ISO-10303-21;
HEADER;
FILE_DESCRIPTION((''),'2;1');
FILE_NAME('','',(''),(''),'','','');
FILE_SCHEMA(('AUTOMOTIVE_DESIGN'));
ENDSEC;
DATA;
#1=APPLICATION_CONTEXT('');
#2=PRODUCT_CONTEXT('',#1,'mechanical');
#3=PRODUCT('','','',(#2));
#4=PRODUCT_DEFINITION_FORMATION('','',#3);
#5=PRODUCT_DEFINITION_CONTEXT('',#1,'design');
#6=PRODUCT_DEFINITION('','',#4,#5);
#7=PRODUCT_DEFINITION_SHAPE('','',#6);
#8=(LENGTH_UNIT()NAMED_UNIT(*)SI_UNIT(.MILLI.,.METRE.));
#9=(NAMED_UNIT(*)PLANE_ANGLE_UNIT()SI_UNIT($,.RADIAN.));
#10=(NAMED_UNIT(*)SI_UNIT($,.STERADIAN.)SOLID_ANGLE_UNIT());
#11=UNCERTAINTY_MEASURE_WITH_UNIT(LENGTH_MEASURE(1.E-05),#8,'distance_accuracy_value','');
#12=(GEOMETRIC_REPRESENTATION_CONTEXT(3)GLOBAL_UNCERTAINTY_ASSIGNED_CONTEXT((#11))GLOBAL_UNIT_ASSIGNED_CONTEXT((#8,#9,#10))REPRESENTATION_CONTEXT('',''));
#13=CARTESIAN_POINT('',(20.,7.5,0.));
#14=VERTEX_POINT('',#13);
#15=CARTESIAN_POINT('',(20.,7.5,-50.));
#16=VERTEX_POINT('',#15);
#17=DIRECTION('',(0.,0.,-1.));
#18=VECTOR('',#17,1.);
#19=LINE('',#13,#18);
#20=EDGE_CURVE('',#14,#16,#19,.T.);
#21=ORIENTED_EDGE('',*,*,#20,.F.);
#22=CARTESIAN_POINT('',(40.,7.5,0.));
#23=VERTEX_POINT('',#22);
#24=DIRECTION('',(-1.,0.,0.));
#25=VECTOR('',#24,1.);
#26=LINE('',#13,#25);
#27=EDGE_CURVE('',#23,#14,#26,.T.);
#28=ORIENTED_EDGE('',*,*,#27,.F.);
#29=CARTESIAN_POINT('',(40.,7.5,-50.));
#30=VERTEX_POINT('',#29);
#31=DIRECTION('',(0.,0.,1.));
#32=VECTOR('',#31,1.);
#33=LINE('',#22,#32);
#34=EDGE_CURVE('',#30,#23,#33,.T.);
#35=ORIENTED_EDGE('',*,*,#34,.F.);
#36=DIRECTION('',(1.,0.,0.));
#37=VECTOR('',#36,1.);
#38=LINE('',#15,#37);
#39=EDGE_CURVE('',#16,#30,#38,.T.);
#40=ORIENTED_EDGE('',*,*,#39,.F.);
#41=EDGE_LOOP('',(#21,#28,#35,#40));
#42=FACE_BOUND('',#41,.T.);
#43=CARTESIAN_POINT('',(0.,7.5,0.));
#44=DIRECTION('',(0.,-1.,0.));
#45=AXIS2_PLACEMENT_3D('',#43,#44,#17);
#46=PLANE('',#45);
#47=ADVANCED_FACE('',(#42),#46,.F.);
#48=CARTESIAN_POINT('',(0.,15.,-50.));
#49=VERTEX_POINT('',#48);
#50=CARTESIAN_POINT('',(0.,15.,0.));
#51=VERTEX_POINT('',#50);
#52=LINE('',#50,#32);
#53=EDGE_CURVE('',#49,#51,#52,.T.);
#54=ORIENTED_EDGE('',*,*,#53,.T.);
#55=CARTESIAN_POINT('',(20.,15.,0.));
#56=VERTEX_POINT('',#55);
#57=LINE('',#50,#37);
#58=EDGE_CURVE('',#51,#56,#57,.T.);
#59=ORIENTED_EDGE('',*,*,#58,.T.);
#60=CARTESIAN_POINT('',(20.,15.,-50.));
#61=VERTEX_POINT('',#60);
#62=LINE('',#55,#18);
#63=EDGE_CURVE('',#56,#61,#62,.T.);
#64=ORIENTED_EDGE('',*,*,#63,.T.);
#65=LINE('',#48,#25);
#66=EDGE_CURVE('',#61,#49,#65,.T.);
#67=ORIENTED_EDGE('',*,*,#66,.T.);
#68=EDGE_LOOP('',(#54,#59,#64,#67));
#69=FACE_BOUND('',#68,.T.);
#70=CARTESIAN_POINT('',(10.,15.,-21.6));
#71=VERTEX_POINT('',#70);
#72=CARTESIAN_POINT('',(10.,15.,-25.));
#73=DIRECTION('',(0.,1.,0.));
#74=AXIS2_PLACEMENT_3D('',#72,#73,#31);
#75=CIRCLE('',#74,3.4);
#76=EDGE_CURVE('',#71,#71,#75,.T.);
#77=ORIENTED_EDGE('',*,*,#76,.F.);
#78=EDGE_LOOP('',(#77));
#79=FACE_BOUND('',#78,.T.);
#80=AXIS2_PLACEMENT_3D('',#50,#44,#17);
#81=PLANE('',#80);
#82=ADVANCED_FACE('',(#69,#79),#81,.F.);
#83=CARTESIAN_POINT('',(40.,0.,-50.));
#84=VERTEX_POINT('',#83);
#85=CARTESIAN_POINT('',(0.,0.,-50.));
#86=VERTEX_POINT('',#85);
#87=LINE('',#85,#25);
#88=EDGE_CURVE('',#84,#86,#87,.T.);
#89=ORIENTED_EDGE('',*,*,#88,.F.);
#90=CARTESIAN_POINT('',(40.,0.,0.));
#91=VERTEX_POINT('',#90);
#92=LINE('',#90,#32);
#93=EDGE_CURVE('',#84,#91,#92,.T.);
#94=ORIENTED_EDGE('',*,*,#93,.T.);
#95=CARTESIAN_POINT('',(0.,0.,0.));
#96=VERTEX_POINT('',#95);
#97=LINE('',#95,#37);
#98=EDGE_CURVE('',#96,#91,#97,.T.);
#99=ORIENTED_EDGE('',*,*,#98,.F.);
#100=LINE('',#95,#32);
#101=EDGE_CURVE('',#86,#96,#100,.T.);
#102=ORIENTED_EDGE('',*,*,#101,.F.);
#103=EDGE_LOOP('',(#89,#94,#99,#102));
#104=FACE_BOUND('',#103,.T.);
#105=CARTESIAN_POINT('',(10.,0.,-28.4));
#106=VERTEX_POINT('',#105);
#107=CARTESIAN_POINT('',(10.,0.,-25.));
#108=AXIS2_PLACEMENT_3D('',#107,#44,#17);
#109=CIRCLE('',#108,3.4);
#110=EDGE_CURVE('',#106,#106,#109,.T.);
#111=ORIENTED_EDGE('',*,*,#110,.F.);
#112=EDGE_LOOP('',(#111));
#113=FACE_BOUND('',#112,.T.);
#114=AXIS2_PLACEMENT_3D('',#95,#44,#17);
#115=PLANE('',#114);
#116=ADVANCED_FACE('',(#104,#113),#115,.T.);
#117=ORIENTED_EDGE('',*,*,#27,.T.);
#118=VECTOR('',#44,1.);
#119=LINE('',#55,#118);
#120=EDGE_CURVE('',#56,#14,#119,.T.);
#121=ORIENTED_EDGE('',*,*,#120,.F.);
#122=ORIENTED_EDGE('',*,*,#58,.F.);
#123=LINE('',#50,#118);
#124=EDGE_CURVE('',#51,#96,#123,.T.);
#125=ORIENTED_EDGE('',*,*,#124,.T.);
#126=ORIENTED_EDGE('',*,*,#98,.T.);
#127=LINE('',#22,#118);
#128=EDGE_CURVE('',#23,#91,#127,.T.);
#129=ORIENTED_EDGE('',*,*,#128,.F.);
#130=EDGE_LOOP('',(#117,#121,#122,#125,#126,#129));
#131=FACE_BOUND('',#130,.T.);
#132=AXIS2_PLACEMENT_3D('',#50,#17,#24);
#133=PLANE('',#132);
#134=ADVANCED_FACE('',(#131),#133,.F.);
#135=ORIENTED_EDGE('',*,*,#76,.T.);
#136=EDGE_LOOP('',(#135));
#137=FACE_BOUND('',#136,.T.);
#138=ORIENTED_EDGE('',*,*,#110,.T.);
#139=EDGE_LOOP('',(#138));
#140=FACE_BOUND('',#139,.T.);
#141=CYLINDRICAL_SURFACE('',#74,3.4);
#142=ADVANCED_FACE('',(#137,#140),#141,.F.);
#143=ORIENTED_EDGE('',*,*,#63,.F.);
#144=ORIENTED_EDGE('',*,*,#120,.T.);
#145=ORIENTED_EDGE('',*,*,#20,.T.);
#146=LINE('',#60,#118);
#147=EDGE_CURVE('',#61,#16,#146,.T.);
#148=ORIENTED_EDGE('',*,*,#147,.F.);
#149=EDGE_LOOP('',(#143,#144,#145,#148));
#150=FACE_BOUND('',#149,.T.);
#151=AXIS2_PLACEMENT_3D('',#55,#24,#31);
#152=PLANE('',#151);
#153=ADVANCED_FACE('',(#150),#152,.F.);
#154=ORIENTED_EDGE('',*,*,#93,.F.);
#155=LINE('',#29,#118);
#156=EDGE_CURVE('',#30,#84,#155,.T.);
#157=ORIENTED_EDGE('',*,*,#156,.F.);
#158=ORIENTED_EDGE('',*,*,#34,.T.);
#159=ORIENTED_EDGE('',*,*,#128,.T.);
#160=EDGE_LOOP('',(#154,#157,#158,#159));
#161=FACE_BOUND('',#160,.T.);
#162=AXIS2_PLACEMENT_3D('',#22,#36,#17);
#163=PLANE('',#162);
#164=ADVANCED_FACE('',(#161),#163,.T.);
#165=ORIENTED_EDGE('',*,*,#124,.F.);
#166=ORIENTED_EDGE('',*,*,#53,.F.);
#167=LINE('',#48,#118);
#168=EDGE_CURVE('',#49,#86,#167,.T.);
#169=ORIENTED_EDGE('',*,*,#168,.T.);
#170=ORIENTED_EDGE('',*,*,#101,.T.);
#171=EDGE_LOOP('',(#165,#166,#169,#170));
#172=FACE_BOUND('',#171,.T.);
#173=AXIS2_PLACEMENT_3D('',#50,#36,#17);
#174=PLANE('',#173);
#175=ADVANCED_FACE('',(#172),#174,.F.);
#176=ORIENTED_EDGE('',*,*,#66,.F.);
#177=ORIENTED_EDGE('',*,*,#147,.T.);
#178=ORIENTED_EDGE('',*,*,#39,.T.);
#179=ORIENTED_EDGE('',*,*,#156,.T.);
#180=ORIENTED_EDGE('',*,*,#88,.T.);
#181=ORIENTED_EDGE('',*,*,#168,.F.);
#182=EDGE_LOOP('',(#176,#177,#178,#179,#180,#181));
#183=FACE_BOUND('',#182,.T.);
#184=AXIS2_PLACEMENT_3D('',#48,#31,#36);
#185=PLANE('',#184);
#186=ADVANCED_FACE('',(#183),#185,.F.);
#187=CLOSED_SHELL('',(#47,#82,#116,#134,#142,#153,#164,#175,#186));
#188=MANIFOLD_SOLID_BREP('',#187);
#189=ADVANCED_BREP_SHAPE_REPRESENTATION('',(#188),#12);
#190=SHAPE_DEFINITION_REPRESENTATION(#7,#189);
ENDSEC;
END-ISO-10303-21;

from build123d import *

# Parameters (mm, degrees)
SKETCH1_W              = 20
SKETCH1_H              = 50
BOSS_EXTRUDE1_DEPTH    = 15
SKETCH3_W              = 20
SKETCH3_H              = 50
BOSS_EXTRUDE2_DEPTH    = 7.5
M8X1_25_TAPPED_HOLE1_D = 6.8


with BuildPart() as part:
    # Sketch1 → Boss-Extrude1 (new body)
    with BuildSketch(Plane(origin=(0, 0, 0), x_dir=(1, 0, 0), z_dir=(0, 1, 0))):
        with Locations((10, 25)):
            Rectangle(SKETCH1_W, SKETCH1_H)
    extrude(amount=BOSS_EXTRUDE1_DEPTH)

    # Sketch3 → Boss-Extrude2 (add)
    with BuildSketch(Plane(origin=(0, 0, 0), x_dir=(-1, 0, 0), z_dir=(0, -1, 0))):
        with Locations((-30, 25)):
            Rectangle(SKETCH3_W, SKETCH3_H)
    extrude(amount=-BOSS_EXTRUDE2_DEPTH)

    # M8x1.25 Tapped Hole1 (through all)
    with Locations(Plane(origin=(0, 15, 0), x_dir=(1, 0, 0), z_dir=(0, 1, 0))):
        with Locations((10, 25)):
            Hole(M8X1_25_TAPPED_HOLE1_D / 2)


solid = part.part
